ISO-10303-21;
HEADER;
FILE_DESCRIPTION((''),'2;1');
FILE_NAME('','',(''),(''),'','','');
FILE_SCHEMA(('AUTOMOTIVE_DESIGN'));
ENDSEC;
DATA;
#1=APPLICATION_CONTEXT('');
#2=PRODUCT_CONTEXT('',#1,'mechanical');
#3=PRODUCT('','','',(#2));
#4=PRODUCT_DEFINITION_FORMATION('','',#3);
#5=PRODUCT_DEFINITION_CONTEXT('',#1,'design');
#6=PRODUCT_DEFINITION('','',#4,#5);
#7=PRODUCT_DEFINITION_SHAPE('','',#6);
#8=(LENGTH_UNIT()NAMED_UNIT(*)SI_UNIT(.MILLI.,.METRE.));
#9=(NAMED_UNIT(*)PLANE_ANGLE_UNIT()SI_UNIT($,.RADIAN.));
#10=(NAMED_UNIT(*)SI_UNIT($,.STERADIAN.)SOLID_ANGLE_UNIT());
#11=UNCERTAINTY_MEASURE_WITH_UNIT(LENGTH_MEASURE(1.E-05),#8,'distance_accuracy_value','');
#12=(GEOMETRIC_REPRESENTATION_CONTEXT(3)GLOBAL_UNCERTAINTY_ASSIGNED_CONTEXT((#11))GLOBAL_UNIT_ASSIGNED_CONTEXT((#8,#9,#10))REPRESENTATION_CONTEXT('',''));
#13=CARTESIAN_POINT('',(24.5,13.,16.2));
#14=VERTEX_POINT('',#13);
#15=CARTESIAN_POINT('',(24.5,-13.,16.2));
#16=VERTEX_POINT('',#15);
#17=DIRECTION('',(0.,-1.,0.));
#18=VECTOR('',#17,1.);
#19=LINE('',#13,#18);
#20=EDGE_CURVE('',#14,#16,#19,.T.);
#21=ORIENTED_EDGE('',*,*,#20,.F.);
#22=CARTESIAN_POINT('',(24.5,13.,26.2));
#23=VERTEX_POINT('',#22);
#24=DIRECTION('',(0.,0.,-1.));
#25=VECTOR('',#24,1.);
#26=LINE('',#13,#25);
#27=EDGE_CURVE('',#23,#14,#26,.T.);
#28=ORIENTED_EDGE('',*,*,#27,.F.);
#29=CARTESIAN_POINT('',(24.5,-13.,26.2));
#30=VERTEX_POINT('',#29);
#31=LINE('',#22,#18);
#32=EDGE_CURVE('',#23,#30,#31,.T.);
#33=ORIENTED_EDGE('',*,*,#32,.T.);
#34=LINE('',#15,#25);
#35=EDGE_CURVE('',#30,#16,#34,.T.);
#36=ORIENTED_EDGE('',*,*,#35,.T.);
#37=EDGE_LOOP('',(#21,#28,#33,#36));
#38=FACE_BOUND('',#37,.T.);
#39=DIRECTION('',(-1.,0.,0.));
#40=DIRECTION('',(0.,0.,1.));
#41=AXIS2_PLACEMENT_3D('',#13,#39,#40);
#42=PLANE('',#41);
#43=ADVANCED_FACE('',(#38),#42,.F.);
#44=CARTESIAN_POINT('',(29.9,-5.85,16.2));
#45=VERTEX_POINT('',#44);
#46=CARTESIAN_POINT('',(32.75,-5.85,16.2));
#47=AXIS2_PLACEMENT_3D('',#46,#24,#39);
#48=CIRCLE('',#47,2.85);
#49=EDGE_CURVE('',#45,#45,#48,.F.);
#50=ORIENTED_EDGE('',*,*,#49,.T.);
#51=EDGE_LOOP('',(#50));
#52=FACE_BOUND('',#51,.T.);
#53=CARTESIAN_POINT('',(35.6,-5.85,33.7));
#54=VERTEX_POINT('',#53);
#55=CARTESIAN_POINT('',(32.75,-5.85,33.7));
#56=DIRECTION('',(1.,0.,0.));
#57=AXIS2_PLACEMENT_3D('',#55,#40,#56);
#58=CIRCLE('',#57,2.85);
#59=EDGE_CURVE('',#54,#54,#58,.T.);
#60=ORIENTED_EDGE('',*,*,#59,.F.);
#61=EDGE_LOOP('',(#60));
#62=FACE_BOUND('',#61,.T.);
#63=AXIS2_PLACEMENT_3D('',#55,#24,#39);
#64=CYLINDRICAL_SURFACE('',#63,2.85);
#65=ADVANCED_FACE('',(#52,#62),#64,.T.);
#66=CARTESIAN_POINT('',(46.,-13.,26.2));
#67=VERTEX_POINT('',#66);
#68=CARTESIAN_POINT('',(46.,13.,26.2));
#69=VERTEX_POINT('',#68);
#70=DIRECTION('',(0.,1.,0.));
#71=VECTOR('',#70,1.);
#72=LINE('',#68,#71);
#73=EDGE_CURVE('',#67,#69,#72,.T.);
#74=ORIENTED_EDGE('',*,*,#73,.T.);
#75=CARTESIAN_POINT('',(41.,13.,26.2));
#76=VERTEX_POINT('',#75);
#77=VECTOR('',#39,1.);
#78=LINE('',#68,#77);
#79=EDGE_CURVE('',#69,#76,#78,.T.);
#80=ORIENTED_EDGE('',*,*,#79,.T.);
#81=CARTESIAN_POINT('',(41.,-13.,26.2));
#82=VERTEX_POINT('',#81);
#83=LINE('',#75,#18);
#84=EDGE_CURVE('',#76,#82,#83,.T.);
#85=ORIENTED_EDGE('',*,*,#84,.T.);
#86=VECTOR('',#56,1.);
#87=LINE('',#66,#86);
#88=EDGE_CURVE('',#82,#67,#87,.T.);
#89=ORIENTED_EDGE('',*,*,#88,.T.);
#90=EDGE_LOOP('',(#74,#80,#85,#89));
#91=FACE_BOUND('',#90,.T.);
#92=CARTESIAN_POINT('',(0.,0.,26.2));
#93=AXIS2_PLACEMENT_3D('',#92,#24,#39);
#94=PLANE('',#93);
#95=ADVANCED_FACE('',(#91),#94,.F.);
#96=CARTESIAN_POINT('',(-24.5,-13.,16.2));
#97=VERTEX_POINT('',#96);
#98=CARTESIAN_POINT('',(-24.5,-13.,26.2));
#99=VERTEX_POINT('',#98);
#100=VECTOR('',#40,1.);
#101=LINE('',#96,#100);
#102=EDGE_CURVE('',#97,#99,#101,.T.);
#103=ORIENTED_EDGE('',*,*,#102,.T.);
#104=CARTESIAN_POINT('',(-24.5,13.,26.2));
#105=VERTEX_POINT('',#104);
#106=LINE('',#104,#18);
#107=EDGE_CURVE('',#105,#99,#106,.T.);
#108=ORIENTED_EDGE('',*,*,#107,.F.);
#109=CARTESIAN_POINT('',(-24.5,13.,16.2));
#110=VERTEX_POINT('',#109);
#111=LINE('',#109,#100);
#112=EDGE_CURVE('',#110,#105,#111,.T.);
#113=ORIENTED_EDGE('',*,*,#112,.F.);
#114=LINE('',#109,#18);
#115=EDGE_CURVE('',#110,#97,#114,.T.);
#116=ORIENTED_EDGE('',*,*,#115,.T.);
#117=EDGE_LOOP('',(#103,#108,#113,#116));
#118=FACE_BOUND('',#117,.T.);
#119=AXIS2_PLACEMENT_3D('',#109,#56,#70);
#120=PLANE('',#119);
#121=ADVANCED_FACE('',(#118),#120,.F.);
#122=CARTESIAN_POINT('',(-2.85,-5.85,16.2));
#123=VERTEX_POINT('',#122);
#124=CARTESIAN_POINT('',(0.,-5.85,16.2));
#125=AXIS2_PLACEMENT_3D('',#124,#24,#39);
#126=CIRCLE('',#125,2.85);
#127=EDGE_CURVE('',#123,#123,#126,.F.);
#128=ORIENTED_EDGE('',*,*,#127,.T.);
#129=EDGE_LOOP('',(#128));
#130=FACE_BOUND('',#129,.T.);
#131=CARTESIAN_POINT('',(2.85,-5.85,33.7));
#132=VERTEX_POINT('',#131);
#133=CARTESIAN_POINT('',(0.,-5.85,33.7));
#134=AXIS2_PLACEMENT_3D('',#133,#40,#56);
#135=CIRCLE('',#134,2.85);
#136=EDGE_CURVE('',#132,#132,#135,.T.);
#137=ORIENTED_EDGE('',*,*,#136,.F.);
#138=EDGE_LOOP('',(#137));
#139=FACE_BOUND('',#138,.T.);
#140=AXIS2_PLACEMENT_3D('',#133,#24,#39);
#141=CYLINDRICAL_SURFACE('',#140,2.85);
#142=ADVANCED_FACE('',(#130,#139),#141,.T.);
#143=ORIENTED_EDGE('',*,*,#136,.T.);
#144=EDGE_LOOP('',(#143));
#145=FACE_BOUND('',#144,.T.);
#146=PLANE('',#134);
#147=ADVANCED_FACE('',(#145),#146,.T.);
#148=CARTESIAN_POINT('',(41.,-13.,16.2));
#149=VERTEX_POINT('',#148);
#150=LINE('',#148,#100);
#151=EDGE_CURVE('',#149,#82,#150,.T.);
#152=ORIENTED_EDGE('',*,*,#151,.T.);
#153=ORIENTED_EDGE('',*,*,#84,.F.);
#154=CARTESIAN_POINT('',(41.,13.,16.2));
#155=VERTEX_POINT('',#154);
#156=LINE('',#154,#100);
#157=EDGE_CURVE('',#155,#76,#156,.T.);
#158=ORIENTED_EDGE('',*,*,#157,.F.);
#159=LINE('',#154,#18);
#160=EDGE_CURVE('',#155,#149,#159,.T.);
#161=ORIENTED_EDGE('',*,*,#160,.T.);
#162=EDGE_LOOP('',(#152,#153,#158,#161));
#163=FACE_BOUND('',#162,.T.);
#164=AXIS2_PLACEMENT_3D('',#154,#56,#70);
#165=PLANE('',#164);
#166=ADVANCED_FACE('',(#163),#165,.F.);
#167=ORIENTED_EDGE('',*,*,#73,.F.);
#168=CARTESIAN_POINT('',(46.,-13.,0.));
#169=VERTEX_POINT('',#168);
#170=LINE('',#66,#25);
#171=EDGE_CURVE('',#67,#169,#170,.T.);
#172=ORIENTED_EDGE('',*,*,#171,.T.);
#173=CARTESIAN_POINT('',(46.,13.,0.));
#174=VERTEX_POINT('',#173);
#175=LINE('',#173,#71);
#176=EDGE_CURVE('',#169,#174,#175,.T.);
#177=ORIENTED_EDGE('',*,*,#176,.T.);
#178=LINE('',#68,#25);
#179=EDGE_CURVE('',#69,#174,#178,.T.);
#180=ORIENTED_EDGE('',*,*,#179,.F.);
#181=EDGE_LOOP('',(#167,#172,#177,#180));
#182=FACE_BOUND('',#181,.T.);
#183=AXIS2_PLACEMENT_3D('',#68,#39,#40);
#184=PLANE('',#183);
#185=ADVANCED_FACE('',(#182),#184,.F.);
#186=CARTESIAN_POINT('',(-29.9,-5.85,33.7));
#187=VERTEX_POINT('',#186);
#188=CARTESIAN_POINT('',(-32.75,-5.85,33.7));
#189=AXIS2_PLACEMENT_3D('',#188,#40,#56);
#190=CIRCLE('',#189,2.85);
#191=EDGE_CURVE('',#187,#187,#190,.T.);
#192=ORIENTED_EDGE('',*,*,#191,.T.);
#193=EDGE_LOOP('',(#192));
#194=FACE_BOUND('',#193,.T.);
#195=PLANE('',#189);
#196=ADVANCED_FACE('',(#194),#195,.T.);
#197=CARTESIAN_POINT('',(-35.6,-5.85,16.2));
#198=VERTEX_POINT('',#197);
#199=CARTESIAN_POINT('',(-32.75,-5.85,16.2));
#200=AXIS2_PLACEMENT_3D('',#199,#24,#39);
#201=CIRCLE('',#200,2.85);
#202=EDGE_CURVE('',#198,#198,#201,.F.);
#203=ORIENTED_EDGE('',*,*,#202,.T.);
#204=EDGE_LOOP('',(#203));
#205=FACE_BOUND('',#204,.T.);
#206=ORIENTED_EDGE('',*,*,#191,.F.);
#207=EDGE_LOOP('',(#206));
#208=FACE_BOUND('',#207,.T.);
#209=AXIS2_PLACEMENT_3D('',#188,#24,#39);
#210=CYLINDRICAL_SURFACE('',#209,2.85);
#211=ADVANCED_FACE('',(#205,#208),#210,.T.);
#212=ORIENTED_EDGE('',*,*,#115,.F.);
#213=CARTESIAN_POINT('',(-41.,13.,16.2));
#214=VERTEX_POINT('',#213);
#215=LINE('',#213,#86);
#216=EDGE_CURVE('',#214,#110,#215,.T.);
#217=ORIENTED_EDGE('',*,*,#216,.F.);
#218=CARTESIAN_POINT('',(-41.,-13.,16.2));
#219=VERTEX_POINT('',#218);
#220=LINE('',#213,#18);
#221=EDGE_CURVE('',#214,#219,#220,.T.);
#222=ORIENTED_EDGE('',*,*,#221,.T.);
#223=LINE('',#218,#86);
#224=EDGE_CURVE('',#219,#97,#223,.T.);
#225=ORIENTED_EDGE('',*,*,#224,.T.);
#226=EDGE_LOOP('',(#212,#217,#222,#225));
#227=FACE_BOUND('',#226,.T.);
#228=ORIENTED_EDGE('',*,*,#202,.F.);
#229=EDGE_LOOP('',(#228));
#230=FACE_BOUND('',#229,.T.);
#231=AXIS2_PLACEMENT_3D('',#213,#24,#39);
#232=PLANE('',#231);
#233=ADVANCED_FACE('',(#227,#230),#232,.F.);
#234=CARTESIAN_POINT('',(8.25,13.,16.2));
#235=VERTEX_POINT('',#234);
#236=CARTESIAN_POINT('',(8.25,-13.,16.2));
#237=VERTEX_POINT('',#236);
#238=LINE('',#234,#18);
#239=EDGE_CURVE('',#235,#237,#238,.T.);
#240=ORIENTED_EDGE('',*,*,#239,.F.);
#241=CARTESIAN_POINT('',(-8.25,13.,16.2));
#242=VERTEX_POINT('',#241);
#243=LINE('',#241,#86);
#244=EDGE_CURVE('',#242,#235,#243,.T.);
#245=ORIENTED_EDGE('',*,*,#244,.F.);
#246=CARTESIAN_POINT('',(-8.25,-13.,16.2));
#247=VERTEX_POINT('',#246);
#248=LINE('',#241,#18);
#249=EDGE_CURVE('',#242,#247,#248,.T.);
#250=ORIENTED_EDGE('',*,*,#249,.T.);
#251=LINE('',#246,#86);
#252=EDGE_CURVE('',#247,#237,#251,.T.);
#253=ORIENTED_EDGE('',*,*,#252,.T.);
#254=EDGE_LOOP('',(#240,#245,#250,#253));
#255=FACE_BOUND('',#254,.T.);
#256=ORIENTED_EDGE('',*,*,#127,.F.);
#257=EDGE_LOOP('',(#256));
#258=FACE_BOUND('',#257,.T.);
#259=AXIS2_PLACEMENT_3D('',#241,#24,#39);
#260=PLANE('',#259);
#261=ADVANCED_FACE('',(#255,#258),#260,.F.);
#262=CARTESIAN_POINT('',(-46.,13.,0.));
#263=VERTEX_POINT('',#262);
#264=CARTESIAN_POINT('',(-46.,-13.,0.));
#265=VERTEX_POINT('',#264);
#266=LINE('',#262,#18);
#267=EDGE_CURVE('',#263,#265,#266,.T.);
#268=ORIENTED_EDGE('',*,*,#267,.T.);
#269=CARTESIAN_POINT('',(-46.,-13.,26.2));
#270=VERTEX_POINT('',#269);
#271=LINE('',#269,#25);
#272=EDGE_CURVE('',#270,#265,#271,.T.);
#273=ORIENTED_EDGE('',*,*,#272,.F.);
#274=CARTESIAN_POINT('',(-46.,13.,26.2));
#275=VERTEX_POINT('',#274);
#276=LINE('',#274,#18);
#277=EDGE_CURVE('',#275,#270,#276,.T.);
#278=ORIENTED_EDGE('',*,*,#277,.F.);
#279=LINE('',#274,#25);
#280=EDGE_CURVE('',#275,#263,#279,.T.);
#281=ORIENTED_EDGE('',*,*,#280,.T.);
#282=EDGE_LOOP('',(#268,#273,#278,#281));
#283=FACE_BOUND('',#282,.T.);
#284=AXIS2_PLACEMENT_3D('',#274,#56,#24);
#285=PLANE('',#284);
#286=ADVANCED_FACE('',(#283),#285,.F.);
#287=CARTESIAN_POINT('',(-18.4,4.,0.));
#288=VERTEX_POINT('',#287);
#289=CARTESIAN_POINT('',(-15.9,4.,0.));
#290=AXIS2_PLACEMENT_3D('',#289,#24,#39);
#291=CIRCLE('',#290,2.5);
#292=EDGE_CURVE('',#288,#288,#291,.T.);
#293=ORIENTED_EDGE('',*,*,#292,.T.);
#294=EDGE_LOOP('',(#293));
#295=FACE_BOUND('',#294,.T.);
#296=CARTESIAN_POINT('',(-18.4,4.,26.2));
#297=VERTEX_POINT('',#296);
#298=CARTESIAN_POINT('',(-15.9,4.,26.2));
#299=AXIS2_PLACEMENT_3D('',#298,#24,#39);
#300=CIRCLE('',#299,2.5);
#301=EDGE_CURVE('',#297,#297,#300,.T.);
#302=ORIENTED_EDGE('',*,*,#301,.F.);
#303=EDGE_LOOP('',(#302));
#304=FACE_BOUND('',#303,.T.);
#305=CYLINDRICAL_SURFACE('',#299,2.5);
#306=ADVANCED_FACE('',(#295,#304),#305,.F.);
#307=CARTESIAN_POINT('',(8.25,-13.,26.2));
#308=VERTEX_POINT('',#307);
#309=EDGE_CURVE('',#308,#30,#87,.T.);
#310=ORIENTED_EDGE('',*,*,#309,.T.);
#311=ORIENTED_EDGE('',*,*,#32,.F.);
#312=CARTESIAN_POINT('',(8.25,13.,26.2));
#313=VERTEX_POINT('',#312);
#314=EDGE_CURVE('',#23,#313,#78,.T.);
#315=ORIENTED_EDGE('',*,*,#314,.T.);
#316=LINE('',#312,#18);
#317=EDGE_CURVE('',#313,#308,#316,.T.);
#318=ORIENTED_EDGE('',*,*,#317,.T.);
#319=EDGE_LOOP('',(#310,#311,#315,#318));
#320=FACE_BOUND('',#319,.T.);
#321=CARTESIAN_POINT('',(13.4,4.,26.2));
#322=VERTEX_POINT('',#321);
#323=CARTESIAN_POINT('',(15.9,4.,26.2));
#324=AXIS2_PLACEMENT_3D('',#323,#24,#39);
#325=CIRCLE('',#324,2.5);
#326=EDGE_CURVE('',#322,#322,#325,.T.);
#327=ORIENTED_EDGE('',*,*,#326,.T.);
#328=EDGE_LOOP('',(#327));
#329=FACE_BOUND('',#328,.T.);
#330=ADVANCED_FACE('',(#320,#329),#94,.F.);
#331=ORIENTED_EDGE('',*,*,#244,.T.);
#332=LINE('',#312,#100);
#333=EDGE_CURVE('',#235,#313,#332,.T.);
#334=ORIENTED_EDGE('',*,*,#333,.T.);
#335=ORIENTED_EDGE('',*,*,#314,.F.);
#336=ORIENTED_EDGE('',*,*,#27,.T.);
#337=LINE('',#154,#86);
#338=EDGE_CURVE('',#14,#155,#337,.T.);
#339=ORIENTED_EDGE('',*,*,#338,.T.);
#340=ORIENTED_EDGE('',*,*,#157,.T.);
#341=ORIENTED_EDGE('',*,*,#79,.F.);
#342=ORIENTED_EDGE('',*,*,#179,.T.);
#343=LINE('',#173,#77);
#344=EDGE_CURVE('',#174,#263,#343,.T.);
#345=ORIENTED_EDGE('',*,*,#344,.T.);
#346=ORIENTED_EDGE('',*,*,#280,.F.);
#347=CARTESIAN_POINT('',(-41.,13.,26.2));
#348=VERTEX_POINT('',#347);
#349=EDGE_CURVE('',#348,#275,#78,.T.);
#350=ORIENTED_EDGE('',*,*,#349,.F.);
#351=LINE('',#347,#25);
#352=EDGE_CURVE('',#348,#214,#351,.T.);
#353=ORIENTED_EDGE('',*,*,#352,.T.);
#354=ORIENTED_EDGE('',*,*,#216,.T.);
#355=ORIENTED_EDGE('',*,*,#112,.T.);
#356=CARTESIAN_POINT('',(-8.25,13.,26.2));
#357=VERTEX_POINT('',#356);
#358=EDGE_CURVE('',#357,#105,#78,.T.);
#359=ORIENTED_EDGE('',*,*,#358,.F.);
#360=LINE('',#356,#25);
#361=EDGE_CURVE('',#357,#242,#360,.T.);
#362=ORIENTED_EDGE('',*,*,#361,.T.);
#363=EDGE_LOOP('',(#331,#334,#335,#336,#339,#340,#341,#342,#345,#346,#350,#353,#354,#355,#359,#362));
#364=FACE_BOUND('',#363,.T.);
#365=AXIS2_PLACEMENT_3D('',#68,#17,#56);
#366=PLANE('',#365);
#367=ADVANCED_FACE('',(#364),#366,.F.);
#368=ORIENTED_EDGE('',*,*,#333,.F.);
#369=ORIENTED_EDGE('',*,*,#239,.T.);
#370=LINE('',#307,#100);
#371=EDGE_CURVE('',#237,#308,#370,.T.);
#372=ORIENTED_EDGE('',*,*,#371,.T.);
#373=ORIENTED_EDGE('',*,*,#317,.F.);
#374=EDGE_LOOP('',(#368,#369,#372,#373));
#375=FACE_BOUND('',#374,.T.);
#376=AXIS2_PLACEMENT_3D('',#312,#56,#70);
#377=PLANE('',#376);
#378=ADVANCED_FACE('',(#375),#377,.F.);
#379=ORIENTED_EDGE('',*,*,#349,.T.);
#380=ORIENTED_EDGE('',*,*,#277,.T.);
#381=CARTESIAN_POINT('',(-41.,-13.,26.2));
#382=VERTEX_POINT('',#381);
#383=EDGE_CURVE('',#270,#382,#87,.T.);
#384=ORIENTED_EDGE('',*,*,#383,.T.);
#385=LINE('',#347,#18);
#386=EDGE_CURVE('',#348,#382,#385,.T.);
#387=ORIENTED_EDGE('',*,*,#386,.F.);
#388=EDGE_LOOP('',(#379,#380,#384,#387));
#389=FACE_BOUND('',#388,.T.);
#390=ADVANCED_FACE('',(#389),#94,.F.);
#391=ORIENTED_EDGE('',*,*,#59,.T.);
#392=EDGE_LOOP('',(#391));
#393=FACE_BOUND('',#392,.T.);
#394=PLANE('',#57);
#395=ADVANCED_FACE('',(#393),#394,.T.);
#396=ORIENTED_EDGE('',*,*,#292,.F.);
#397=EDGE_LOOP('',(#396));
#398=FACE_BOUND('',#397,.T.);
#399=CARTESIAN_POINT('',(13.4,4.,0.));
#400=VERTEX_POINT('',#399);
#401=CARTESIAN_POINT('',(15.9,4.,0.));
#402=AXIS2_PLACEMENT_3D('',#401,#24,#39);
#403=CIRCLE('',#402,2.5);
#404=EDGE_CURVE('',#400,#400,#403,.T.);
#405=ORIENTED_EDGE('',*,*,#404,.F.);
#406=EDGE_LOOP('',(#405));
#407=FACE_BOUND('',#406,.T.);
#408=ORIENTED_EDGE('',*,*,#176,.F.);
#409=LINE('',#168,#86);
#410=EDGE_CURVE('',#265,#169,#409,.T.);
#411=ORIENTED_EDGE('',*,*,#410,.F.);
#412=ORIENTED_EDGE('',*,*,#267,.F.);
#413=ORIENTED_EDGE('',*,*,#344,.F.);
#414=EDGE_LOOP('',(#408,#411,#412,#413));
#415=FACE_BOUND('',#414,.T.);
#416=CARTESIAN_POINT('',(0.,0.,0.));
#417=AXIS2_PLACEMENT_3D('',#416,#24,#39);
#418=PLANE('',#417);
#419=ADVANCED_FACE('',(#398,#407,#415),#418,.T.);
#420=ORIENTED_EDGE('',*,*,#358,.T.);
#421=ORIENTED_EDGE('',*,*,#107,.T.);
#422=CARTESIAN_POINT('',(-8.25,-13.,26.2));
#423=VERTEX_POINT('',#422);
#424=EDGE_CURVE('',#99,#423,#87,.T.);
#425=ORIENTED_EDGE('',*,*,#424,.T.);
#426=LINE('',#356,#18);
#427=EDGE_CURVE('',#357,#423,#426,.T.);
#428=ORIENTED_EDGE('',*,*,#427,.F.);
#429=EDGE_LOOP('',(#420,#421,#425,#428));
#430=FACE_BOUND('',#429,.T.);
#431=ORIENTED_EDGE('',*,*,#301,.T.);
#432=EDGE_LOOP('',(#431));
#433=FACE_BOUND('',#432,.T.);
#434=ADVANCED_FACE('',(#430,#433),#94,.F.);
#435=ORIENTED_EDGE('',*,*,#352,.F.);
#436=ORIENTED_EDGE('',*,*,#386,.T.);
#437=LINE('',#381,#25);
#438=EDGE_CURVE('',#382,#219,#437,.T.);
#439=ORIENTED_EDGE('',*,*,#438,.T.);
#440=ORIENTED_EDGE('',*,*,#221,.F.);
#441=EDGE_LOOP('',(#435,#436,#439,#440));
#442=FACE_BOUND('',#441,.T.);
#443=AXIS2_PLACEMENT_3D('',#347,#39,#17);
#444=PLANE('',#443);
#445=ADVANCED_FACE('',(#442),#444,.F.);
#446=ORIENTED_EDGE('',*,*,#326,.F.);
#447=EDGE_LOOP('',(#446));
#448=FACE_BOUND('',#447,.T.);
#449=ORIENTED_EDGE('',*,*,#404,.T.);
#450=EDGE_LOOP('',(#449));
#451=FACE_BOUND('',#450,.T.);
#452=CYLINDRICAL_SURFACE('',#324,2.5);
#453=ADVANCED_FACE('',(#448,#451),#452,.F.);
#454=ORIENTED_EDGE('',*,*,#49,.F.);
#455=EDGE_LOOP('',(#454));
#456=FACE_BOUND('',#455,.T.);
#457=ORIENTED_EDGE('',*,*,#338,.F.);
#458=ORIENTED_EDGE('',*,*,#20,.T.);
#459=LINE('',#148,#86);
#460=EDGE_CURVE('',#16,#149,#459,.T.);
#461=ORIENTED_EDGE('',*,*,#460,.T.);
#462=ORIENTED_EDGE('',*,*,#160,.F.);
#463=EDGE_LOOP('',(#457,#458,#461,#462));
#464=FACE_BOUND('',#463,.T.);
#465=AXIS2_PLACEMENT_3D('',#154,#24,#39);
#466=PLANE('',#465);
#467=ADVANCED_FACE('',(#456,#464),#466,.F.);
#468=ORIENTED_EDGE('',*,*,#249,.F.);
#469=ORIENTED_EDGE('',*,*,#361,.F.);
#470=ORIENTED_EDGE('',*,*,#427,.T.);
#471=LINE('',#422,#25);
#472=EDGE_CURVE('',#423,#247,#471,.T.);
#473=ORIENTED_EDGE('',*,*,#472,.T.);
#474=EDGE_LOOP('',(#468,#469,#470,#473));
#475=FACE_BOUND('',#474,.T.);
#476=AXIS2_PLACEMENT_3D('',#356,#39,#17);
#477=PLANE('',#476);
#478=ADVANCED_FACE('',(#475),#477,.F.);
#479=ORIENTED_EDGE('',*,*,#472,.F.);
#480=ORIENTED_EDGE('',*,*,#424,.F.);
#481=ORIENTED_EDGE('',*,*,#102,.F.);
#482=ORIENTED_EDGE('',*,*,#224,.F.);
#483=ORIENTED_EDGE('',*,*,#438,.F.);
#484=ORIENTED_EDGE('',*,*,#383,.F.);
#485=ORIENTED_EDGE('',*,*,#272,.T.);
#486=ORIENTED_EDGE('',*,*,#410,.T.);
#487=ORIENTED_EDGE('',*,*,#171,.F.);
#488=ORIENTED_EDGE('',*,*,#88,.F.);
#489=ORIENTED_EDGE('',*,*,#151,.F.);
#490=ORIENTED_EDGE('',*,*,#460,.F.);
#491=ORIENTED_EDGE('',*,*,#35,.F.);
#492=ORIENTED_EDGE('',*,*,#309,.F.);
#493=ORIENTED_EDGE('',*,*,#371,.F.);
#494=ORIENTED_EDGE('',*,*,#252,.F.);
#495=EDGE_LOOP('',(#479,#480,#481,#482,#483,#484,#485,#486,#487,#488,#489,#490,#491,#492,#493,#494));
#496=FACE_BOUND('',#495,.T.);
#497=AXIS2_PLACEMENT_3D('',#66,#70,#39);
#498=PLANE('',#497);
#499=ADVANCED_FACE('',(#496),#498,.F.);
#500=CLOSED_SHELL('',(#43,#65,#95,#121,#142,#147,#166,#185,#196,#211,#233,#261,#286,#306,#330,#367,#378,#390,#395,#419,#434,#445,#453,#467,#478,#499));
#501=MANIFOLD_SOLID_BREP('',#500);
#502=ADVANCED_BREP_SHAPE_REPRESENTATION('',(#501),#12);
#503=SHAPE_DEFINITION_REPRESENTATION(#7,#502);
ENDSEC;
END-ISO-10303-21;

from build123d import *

# Parameters (mm, degrees)
ESBO_O1_W                = 92
ESBO_O1_H                = 26
RESSALTO_EXTRUS_O1_DEPTH = 26.2
ESBO_O2_W                = 16.5
ESBO_O2_H                = 10
CORTE_EXTRUS_O1_DEPTH    = 27
ESBO_O3_R                = 2.5
CORTE_EXTRUS_O2_DEPTH    = 27.2
ESBO_O4_R                = 2.85
RESSALTO_EXTRUS_O2_DEPTH = 17.5


with BuildPart() as part:
    # Esboço1 → Ressalto-extrusão1 (new body)
    with BuildSketch(Plane.XY):
        Rectangle(ESBO_O1_W, ESBO_O1_H)
    extrude(amount=RESSALTO_EXTRUS_O1_DEPTH)

    # Esboço2 → Corte-extrusão1 (cut, through all)
    with BuildSketch(Plane.XZ.offset(13)):
        with Locations((-32.75, 21.2)):
            Rectangle(ESBO_O2_W, ESBO_O2_H)
        with Locations((0, 21.2)):
            Rectangle(ESBO_O2_W, ESBO_O2_H)
        with Locations((32.75, 21.2)):
            Rectangle(ESBO_O2_W, ESBO_O2_H)
    extrude(amount=-CORTE_EXTRUS_O1_DEPTH, mode=Mode.SUBTRACT)

    # Esboço3 → Corte-extrusão2 (cut, through all)
    with BuildSketch(Plane(origin=(0, 0, 0), x_dir=(-1, 0, 0), z_dir=(0, 0, -1))):
        with Locations((-15.9, 4)):
            Circle(ESBO_O3_R)
        with Locations((15.9, 4)):
            Circle(ESBO_O3_R)
    extrude(amount=-CORTE_EXTRUS_O2_DEPTH, mode=Mode.SUBTRACT)

    # Esboço4 → Ressalto-extrusão2 (add)
    with BuildSketch(Plane.XY.offset(16.2)):
        with Locations((0, -5.85)):
            Circle(ESBO_O4_R)
        with Locations((32.75, -5.85)):
            Circle(ESBO_O4_R)
        with Locations((-32.75, -5.85)):
            Circle(ESBO_O4_R)
    extrude(amount=RESSALTO_EXTRUS_O2_DEPTH)


solid = part.part
